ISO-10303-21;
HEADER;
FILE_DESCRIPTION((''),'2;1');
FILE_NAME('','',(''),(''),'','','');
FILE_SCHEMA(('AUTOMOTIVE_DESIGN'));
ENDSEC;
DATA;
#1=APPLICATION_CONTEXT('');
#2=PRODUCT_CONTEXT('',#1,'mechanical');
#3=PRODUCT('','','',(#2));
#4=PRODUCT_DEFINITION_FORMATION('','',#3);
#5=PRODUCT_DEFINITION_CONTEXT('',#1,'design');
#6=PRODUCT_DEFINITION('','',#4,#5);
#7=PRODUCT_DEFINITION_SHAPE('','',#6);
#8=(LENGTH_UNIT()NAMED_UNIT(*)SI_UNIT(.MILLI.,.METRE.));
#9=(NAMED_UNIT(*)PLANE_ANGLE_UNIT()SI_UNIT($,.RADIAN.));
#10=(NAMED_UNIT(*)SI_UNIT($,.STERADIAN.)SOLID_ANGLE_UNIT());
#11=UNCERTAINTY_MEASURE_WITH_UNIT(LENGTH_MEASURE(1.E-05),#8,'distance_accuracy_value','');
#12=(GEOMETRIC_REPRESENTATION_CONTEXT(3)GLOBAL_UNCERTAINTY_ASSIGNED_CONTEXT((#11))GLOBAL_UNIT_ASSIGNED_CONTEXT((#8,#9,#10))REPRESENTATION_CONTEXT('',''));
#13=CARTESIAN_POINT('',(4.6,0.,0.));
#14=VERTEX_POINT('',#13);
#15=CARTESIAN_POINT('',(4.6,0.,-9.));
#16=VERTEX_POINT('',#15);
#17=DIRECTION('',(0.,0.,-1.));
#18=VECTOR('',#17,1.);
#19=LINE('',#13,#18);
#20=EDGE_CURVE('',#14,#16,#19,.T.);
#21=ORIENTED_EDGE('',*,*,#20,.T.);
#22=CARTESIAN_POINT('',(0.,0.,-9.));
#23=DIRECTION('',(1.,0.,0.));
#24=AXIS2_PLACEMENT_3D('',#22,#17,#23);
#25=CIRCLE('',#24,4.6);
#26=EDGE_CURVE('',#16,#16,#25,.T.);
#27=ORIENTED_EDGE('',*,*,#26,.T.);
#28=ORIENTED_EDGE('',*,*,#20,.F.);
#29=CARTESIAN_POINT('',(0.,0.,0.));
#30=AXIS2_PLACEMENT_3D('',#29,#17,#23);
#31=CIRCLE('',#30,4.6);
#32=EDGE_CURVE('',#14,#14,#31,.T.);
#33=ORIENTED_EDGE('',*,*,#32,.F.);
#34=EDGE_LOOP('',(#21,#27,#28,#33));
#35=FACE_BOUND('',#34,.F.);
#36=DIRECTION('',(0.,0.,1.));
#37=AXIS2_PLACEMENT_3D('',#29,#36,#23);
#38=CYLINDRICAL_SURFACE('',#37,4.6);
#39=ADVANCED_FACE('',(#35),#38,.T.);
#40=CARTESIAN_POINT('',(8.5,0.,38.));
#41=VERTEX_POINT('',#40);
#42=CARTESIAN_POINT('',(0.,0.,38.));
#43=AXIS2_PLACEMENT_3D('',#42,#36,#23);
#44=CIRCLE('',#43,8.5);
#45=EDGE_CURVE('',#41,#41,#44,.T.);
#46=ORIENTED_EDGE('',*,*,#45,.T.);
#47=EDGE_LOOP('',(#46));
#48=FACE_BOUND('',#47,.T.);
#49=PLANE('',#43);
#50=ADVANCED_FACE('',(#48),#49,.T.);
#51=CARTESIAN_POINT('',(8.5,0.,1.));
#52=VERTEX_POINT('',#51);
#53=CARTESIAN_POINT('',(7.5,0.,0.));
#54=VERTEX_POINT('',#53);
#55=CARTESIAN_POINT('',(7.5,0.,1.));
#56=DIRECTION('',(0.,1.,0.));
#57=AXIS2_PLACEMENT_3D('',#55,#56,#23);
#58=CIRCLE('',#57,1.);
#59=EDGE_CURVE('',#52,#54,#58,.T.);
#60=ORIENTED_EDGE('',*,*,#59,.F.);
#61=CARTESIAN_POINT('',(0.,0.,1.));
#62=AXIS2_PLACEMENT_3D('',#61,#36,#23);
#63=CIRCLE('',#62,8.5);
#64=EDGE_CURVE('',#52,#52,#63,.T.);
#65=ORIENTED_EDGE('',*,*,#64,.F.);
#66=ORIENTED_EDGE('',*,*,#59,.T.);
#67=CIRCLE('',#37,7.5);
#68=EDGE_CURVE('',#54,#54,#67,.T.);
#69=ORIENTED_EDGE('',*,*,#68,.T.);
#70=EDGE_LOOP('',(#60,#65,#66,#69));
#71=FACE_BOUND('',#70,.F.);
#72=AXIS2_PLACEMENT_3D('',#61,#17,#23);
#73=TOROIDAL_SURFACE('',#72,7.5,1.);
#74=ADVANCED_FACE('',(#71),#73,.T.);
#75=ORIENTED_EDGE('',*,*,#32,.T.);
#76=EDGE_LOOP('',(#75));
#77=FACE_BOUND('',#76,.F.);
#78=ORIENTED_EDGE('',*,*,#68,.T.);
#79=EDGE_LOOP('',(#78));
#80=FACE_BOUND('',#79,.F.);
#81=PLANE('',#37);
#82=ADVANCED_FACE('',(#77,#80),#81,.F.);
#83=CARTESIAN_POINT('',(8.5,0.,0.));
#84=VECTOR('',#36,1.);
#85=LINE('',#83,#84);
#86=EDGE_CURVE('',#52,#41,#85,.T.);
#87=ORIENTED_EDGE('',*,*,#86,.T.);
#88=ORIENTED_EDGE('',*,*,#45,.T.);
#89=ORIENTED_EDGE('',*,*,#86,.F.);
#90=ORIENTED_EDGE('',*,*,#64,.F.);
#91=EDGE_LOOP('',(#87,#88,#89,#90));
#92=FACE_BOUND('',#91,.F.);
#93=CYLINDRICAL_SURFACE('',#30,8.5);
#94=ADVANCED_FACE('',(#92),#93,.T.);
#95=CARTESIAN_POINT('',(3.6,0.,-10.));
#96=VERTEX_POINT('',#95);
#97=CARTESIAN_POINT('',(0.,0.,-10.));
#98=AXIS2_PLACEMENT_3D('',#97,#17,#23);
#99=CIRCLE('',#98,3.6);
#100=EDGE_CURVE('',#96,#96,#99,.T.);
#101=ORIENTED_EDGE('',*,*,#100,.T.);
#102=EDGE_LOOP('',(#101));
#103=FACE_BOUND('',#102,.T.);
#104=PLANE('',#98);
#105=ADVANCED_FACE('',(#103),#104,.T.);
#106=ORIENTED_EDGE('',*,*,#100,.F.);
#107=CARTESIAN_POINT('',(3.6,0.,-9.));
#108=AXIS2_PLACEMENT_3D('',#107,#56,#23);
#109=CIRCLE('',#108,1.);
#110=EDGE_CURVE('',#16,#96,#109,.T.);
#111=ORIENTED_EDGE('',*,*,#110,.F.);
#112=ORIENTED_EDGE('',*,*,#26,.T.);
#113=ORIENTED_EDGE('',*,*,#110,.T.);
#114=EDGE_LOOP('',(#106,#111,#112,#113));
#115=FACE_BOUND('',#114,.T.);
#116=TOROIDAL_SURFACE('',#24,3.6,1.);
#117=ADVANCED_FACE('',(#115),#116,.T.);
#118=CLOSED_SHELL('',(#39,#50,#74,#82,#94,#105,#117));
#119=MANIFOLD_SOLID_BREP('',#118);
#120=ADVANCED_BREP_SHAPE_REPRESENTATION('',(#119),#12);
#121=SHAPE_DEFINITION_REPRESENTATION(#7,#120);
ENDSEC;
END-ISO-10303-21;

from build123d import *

# Parameters (mm, degrees)
SKETCH_R     = 8.5
PAD_DEPTH    = 38
SKETCH001_R  = 4.6
PAD001_DEPTH = 10
FILLET_R     = 1


with BuildPart() as part:
    # Sketch → Pad (new body)
    with BuildSketch(Plane.XY):
        Circle(SKETCH_R)
    extrude(amount=PAD_DEPTH)

    # Sketch001 (on Face2 of Pad) → Pad001 (join)
    with BuildSketch(Plane(origin=(0, 0, 0), x_dir=(1, 0, 0), z_dir=(0, 0, -1))):
        Circle(SKETCH001_R)
    extrude(amount=PAD001_DEPTH)

    # Fillet
    fillet_edges = [part.edges().sort_by_distance(p)[0] for p in [
        (-4.6, 0, -10),
        (-8.5, 0, 0),
    ]]
    fillet(fillet_edges, radius=FILLET_R)


solid = part.part
